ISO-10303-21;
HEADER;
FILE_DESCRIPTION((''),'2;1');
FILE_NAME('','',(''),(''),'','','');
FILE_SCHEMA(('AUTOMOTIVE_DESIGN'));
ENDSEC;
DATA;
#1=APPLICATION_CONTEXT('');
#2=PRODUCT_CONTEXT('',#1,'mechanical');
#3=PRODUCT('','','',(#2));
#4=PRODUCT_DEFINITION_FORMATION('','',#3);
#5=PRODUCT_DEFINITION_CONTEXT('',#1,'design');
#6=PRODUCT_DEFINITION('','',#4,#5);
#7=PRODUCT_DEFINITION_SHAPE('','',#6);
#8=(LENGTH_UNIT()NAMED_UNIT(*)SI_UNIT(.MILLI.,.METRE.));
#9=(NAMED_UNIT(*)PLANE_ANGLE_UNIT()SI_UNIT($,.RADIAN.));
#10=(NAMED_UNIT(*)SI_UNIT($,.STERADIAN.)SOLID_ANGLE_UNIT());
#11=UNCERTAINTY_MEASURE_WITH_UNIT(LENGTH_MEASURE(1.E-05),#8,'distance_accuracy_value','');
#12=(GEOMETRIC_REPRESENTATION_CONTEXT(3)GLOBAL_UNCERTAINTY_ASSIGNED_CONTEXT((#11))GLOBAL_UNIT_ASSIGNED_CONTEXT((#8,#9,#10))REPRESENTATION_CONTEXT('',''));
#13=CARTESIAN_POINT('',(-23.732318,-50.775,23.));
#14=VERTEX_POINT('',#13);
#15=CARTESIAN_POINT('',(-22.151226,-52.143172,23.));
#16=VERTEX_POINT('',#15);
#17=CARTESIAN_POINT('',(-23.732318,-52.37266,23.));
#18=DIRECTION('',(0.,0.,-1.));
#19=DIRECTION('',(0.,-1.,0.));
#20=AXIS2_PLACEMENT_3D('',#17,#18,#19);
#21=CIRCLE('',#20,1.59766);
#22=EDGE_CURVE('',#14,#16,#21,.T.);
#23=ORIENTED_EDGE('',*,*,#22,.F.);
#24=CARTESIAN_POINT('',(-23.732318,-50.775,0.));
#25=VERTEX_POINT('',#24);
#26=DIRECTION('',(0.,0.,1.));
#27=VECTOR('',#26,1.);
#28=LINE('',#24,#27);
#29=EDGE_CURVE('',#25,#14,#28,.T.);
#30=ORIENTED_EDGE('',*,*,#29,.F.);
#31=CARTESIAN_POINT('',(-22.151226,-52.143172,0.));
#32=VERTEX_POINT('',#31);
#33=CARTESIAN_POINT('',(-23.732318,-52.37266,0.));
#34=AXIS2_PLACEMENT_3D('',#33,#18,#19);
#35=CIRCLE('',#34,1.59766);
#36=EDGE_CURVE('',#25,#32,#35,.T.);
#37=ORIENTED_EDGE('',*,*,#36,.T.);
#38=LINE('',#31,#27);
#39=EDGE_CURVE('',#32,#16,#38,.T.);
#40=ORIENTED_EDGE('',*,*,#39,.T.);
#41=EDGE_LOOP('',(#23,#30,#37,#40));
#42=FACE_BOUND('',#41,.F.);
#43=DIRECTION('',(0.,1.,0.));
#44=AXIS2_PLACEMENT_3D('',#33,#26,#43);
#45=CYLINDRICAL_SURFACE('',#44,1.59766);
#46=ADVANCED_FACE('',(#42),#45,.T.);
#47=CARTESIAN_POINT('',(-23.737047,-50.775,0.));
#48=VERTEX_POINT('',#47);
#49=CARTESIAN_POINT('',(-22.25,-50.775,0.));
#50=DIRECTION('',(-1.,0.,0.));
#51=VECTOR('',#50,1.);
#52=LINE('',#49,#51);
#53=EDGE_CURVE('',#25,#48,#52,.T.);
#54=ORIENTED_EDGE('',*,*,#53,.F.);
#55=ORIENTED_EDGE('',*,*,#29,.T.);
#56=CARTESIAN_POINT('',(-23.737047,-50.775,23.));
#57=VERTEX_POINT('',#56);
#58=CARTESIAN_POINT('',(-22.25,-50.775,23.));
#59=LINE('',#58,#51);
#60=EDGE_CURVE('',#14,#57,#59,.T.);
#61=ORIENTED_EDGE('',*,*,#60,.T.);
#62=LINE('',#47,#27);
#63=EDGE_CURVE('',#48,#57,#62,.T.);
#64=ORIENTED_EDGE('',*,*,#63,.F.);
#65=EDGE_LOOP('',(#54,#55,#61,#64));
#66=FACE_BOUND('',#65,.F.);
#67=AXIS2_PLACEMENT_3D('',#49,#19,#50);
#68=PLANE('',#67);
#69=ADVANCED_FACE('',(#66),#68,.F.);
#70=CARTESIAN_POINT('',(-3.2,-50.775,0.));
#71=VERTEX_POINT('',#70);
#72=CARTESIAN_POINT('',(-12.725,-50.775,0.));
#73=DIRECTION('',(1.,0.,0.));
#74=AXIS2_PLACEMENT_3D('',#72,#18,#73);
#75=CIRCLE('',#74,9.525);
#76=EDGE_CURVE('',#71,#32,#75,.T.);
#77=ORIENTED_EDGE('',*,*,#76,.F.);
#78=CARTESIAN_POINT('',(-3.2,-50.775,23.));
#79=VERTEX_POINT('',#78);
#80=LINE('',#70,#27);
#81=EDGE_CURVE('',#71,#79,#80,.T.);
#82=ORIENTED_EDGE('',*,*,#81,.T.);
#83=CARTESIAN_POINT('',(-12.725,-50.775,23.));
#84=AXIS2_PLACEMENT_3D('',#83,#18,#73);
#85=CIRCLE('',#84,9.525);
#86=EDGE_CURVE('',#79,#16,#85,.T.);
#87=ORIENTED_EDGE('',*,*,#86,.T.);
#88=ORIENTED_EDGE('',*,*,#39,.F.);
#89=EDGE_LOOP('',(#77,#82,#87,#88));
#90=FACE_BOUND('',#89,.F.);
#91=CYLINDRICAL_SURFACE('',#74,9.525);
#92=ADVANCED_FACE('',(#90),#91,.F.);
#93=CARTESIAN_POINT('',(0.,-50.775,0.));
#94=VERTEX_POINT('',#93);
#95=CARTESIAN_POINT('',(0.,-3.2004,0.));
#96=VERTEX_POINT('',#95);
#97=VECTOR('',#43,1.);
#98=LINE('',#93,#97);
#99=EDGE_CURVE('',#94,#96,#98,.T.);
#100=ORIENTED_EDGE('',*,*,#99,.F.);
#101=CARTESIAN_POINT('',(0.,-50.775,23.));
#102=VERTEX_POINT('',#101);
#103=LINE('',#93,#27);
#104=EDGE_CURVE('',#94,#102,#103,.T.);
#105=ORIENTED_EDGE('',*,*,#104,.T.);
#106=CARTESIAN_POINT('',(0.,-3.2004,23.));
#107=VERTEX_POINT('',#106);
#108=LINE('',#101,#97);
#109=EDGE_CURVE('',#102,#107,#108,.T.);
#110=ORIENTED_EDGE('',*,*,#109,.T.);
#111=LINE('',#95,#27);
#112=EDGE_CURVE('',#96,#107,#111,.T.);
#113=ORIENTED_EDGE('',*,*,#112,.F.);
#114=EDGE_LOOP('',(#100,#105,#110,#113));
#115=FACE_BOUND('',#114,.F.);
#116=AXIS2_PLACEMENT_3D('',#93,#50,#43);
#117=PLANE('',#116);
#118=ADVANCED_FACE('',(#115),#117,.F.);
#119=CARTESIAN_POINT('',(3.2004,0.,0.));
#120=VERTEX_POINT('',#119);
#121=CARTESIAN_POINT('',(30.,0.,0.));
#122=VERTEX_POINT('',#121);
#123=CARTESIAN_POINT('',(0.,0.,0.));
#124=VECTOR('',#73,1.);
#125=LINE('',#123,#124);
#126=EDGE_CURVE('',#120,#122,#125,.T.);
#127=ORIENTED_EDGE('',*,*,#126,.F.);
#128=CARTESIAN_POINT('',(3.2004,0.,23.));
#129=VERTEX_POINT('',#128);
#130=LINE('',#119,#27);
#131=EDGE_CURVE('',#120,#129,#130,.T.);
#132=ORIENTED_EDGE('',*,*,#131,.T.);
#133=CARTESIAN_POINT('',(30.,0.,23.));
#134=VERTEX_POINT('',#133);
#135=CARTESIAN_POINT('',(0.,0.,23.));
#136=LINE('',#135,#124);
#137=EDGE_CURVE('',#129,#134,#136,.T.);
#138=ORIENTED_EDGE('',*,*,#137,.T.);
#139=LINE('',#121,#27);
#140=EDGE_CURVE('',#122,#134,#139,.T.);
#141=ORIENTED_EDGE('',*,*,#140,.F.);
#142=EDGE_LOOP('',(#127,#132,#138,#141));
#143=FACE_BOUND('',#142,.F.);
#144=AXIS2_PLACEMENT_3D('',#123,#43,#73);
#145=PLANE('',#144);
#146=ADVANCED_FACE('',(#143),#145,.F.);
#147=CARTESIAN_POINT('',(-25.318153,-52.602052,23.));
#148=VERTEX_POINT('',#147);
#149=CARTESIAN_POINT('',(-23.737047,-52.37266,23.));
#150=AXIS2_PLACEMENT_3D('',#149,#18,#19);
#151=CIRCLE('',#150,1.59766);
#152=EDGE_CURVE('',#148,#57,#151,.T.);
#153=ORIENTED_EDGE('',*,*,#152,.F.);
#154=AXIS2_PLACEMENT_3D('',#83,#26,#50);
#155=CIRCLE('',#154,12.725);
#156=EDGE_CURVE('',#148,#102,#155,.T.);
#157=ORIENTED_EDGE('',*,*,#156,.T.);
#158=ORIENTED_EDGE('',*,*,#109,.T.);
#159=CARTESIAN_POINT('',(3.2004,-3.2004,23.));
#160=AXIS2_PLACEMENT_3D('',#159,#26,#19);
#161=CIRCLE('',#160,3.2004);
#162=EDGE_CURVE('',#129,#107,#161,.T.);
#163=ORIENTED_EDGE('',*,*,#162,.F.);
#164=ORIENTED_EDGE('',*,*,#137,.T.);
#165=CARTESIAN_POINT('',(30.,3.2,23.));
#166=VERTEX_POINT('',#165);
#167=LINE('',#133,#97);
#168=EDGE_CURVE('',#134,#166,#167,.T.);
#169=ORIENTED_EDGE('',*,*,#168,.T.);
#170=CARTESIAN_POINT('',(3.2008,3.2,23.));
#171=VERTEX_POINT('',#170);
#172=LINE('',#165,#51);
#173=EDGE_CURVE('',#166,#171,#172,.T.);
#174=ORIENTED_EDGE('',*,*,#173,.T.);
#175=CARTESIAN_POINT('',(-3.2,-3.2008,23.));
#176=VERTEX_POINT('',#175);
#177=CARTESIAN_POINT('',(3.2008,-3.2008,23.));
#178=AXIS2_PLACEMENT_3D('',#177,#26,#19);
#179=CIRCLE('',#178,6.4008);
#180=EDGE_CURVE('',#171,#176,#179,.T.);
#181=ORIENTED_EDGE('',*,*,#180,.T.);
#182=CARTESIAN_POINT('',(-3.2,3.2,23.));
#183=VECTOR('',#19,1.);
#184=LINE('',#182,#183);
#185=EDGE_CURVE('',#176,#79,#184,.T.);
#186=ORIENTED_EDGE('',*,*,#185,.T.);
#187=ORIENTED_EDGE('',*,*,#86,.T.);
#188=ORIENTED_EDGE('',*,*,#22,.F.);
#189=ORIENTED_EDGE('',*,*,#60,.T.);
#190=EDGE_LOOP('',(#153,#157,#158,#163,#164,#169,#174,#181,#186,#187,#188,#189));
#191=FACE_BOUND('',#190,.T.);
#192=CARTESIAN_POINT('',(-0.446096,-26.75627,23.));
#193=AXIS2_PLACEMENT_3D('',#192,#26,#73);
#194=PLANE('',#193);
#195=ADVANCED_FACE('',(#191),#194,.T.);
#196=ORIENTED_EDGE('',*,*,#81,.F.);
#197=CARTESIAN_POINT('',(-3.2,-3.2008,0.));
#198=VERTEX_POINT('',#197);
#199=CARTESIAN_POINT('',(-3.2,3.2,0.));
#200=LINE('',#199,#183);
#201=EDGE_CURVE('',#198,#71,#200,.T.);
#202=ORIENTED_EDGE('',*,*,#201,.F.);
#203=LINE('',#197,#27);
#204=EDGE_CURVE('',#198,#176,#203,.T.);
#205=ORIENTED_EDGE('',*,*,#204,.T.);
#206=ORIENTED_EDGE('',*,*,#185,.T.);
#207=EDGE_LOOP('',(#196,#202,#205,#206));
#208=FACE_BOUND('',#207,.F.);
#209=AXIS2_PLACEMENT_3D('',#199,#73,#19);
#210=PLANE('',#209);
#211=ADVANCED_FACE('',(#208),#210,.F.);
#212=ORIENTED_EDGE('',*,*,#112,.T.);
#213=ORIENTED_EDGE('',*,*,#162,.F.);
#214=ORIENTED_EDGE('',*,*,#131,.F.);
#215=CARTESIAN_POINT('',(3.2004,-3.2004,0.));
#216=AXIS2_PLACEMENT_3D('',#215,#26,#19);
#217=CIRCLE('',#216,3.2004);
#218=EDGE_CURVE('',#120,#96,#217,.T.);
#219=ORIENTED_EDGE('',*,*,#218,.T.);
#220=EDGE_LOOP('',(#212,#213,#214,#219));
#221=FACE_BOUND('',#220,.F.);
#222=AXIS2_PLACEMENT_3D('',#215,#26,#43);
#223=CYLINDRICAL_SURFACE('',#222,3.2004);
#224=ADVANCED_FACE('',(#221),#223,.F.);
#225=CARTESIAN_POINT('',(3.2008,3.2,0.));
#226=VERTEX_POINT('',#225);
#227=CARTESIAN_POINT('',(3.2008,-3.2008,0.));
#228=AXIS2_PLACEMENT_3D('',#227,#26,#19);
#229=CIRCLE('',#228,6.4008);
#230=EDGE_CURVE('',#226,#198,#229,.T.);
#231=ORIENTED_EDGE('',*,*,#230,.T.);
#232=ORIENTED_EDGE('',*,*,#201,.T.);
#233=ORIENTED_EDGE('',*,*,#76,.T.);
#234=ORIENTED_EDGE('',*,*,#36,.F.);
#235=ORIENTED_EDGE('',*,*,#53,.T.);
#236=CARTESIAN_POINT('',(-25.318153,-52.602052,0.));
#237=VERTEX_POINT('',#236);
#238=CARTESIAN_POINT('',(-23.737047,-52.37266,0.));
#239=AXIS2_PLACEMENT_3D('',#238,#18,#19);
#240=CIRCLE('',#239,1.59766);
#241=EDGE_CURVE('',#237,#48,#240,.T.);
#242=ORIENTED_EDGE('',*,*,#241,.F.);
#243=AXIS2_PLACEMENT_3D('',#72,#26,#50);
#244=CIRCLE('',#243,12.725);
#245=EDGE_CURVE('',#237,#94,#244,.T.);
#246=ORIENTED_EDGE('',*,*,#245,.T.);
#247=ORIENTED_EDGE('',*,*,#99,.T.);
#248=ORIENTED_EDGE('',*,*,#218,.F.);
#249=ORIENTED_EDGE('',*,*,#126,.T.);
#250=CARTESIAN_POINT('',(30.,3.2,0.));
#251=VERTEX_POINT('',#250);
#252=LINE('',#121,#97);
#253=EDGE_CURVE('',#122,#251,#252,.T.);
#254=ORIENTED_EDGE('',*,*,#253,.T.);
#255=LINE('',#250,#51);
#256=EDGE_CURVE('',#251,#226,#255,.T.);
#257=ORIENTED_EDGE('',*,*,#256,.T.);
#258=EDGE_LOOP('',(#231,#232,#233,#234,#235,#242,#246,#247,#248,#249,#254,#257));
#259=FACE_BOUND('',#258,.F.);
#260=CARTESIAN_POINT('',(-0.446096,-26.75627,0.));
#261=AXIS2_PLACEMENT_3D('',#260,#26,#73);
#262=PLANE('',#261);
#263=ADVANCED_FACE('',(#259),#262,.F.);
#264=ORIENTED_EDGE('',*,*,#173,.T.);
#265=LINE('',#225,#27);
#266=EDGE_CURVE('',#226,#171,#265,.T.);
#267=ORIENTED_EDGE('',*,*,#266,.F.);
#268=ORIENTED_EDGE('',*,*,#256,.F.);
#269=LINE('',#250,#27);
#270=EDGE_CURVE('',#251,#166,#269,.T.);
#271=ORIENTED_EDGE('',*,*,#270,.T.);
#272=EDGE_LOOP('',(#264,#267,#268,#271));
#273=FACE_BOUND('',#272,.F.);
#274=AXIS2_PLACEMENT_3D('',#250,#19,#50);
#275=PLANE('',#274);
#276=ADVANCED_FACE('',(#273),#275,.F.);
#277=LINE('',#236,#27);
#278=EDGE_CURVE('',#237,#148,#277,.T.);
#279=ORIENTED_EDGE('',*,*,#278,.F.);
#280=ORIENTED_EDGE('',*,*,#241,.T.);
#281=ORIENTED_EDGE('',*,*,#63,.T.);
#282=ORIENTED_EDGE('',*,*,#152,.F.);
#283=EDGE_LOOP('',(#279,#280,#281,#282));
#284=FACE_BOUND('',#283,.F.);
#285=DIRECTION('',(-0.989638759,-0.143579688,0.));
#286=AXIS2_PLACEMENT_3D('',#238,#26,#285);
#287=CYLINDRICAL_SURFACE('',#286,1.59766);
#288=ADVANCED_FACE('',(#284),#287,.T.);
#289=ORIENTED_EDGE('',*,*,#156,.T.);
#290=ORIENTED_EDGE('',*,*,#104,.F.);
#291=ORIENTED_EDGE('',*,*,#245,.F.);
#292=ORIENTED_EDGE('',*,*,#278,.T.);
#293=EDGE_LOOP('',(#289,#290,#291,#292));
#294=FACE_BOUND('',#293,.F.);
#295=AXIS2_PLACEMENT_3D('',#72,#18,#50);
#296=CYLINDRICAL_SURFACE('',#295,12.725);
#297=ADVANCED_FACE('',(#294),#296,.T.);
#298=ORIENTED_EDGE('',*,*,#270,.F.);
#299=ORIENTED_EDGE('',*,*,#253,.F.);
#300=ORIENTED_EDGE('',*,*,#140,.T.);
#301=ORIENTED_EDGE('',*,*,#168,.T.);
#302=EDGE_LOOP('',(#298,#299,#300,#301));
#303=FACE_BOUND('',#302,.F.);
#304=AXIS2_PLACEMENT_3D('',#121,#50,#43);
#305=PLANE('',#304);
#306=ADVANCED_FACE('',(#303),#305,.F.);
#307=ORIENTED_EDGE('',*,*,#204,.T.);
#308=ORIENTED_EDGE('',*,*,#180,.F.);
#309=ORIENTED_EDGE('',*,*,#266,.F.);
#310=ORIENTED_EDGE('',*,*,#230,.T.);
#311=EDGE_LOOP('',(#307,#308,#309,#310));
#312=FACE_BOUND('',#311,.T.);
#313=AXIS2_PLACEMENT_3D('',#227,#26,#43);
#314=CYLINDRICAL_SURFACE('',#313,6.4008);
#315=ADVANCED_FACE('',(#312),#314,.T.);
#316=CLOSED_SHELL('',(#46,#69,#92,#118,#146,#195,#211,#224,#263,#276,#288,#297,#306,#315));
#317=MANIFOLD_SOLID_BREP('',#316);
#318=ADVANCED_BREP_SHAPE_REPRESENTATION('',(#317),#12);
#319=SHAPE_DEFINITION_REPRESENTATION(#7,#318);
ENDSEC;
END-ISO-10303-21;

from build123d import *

# Parameters (mm, degrees)
F1_DEPTH = 23
F2_R     = 6.4008
F3_R     = 3.2004
F4_R     = 1.59766


with BuildPart() as f1:
    # F0 (on Top) → F1 (new body)
    with BuildSketch(Plane.XY):
        with BuildLine():
            Line((0, -50.775), (0, 0))
            Line((0, 0), (30, 0))
            Line((30, 0), (30, 3.2))
            Line((30, 3.2), (-3.2, 3.2))
            Line((-3.2, 3.2), (-3.2, -50.775))
            ThreePointArc((-3.2, -50.775), (-12.725, -60.3), (-22.25, -50.775))
            Line((-22.25, -50.775), (-25.45, -50.775))
            ThreePointArc((-25.45, -50.775), (-12.725, -63.5), (0, -50.775))
        make_face()
    extrude(amount=F1_DEPTH)

    # F2
    f2_edges = [f1.edges().sort_by_distance(p)[0] for p in [
        (-3.2, 3.2, 11.5),
    ]]
    fillet(f2_edges, radius=F2_R)

    # F3
    f3_edges = [f1.edges().sort_by_distance(p)[0] for p in [
        (0, 0, 11.5),
    ]]
    fillet(f3_edges, radius=F3_R)

    # F4
    f4_edges = [f1.edges().sort_by_distance(p)[0] for p in [
        (-25.45, -50.775, 11.5),
        (-22.25, -50.775, 11.5),
    ]]
    fillet(f4_edges, radius=F4_R)


solid = f1.part
